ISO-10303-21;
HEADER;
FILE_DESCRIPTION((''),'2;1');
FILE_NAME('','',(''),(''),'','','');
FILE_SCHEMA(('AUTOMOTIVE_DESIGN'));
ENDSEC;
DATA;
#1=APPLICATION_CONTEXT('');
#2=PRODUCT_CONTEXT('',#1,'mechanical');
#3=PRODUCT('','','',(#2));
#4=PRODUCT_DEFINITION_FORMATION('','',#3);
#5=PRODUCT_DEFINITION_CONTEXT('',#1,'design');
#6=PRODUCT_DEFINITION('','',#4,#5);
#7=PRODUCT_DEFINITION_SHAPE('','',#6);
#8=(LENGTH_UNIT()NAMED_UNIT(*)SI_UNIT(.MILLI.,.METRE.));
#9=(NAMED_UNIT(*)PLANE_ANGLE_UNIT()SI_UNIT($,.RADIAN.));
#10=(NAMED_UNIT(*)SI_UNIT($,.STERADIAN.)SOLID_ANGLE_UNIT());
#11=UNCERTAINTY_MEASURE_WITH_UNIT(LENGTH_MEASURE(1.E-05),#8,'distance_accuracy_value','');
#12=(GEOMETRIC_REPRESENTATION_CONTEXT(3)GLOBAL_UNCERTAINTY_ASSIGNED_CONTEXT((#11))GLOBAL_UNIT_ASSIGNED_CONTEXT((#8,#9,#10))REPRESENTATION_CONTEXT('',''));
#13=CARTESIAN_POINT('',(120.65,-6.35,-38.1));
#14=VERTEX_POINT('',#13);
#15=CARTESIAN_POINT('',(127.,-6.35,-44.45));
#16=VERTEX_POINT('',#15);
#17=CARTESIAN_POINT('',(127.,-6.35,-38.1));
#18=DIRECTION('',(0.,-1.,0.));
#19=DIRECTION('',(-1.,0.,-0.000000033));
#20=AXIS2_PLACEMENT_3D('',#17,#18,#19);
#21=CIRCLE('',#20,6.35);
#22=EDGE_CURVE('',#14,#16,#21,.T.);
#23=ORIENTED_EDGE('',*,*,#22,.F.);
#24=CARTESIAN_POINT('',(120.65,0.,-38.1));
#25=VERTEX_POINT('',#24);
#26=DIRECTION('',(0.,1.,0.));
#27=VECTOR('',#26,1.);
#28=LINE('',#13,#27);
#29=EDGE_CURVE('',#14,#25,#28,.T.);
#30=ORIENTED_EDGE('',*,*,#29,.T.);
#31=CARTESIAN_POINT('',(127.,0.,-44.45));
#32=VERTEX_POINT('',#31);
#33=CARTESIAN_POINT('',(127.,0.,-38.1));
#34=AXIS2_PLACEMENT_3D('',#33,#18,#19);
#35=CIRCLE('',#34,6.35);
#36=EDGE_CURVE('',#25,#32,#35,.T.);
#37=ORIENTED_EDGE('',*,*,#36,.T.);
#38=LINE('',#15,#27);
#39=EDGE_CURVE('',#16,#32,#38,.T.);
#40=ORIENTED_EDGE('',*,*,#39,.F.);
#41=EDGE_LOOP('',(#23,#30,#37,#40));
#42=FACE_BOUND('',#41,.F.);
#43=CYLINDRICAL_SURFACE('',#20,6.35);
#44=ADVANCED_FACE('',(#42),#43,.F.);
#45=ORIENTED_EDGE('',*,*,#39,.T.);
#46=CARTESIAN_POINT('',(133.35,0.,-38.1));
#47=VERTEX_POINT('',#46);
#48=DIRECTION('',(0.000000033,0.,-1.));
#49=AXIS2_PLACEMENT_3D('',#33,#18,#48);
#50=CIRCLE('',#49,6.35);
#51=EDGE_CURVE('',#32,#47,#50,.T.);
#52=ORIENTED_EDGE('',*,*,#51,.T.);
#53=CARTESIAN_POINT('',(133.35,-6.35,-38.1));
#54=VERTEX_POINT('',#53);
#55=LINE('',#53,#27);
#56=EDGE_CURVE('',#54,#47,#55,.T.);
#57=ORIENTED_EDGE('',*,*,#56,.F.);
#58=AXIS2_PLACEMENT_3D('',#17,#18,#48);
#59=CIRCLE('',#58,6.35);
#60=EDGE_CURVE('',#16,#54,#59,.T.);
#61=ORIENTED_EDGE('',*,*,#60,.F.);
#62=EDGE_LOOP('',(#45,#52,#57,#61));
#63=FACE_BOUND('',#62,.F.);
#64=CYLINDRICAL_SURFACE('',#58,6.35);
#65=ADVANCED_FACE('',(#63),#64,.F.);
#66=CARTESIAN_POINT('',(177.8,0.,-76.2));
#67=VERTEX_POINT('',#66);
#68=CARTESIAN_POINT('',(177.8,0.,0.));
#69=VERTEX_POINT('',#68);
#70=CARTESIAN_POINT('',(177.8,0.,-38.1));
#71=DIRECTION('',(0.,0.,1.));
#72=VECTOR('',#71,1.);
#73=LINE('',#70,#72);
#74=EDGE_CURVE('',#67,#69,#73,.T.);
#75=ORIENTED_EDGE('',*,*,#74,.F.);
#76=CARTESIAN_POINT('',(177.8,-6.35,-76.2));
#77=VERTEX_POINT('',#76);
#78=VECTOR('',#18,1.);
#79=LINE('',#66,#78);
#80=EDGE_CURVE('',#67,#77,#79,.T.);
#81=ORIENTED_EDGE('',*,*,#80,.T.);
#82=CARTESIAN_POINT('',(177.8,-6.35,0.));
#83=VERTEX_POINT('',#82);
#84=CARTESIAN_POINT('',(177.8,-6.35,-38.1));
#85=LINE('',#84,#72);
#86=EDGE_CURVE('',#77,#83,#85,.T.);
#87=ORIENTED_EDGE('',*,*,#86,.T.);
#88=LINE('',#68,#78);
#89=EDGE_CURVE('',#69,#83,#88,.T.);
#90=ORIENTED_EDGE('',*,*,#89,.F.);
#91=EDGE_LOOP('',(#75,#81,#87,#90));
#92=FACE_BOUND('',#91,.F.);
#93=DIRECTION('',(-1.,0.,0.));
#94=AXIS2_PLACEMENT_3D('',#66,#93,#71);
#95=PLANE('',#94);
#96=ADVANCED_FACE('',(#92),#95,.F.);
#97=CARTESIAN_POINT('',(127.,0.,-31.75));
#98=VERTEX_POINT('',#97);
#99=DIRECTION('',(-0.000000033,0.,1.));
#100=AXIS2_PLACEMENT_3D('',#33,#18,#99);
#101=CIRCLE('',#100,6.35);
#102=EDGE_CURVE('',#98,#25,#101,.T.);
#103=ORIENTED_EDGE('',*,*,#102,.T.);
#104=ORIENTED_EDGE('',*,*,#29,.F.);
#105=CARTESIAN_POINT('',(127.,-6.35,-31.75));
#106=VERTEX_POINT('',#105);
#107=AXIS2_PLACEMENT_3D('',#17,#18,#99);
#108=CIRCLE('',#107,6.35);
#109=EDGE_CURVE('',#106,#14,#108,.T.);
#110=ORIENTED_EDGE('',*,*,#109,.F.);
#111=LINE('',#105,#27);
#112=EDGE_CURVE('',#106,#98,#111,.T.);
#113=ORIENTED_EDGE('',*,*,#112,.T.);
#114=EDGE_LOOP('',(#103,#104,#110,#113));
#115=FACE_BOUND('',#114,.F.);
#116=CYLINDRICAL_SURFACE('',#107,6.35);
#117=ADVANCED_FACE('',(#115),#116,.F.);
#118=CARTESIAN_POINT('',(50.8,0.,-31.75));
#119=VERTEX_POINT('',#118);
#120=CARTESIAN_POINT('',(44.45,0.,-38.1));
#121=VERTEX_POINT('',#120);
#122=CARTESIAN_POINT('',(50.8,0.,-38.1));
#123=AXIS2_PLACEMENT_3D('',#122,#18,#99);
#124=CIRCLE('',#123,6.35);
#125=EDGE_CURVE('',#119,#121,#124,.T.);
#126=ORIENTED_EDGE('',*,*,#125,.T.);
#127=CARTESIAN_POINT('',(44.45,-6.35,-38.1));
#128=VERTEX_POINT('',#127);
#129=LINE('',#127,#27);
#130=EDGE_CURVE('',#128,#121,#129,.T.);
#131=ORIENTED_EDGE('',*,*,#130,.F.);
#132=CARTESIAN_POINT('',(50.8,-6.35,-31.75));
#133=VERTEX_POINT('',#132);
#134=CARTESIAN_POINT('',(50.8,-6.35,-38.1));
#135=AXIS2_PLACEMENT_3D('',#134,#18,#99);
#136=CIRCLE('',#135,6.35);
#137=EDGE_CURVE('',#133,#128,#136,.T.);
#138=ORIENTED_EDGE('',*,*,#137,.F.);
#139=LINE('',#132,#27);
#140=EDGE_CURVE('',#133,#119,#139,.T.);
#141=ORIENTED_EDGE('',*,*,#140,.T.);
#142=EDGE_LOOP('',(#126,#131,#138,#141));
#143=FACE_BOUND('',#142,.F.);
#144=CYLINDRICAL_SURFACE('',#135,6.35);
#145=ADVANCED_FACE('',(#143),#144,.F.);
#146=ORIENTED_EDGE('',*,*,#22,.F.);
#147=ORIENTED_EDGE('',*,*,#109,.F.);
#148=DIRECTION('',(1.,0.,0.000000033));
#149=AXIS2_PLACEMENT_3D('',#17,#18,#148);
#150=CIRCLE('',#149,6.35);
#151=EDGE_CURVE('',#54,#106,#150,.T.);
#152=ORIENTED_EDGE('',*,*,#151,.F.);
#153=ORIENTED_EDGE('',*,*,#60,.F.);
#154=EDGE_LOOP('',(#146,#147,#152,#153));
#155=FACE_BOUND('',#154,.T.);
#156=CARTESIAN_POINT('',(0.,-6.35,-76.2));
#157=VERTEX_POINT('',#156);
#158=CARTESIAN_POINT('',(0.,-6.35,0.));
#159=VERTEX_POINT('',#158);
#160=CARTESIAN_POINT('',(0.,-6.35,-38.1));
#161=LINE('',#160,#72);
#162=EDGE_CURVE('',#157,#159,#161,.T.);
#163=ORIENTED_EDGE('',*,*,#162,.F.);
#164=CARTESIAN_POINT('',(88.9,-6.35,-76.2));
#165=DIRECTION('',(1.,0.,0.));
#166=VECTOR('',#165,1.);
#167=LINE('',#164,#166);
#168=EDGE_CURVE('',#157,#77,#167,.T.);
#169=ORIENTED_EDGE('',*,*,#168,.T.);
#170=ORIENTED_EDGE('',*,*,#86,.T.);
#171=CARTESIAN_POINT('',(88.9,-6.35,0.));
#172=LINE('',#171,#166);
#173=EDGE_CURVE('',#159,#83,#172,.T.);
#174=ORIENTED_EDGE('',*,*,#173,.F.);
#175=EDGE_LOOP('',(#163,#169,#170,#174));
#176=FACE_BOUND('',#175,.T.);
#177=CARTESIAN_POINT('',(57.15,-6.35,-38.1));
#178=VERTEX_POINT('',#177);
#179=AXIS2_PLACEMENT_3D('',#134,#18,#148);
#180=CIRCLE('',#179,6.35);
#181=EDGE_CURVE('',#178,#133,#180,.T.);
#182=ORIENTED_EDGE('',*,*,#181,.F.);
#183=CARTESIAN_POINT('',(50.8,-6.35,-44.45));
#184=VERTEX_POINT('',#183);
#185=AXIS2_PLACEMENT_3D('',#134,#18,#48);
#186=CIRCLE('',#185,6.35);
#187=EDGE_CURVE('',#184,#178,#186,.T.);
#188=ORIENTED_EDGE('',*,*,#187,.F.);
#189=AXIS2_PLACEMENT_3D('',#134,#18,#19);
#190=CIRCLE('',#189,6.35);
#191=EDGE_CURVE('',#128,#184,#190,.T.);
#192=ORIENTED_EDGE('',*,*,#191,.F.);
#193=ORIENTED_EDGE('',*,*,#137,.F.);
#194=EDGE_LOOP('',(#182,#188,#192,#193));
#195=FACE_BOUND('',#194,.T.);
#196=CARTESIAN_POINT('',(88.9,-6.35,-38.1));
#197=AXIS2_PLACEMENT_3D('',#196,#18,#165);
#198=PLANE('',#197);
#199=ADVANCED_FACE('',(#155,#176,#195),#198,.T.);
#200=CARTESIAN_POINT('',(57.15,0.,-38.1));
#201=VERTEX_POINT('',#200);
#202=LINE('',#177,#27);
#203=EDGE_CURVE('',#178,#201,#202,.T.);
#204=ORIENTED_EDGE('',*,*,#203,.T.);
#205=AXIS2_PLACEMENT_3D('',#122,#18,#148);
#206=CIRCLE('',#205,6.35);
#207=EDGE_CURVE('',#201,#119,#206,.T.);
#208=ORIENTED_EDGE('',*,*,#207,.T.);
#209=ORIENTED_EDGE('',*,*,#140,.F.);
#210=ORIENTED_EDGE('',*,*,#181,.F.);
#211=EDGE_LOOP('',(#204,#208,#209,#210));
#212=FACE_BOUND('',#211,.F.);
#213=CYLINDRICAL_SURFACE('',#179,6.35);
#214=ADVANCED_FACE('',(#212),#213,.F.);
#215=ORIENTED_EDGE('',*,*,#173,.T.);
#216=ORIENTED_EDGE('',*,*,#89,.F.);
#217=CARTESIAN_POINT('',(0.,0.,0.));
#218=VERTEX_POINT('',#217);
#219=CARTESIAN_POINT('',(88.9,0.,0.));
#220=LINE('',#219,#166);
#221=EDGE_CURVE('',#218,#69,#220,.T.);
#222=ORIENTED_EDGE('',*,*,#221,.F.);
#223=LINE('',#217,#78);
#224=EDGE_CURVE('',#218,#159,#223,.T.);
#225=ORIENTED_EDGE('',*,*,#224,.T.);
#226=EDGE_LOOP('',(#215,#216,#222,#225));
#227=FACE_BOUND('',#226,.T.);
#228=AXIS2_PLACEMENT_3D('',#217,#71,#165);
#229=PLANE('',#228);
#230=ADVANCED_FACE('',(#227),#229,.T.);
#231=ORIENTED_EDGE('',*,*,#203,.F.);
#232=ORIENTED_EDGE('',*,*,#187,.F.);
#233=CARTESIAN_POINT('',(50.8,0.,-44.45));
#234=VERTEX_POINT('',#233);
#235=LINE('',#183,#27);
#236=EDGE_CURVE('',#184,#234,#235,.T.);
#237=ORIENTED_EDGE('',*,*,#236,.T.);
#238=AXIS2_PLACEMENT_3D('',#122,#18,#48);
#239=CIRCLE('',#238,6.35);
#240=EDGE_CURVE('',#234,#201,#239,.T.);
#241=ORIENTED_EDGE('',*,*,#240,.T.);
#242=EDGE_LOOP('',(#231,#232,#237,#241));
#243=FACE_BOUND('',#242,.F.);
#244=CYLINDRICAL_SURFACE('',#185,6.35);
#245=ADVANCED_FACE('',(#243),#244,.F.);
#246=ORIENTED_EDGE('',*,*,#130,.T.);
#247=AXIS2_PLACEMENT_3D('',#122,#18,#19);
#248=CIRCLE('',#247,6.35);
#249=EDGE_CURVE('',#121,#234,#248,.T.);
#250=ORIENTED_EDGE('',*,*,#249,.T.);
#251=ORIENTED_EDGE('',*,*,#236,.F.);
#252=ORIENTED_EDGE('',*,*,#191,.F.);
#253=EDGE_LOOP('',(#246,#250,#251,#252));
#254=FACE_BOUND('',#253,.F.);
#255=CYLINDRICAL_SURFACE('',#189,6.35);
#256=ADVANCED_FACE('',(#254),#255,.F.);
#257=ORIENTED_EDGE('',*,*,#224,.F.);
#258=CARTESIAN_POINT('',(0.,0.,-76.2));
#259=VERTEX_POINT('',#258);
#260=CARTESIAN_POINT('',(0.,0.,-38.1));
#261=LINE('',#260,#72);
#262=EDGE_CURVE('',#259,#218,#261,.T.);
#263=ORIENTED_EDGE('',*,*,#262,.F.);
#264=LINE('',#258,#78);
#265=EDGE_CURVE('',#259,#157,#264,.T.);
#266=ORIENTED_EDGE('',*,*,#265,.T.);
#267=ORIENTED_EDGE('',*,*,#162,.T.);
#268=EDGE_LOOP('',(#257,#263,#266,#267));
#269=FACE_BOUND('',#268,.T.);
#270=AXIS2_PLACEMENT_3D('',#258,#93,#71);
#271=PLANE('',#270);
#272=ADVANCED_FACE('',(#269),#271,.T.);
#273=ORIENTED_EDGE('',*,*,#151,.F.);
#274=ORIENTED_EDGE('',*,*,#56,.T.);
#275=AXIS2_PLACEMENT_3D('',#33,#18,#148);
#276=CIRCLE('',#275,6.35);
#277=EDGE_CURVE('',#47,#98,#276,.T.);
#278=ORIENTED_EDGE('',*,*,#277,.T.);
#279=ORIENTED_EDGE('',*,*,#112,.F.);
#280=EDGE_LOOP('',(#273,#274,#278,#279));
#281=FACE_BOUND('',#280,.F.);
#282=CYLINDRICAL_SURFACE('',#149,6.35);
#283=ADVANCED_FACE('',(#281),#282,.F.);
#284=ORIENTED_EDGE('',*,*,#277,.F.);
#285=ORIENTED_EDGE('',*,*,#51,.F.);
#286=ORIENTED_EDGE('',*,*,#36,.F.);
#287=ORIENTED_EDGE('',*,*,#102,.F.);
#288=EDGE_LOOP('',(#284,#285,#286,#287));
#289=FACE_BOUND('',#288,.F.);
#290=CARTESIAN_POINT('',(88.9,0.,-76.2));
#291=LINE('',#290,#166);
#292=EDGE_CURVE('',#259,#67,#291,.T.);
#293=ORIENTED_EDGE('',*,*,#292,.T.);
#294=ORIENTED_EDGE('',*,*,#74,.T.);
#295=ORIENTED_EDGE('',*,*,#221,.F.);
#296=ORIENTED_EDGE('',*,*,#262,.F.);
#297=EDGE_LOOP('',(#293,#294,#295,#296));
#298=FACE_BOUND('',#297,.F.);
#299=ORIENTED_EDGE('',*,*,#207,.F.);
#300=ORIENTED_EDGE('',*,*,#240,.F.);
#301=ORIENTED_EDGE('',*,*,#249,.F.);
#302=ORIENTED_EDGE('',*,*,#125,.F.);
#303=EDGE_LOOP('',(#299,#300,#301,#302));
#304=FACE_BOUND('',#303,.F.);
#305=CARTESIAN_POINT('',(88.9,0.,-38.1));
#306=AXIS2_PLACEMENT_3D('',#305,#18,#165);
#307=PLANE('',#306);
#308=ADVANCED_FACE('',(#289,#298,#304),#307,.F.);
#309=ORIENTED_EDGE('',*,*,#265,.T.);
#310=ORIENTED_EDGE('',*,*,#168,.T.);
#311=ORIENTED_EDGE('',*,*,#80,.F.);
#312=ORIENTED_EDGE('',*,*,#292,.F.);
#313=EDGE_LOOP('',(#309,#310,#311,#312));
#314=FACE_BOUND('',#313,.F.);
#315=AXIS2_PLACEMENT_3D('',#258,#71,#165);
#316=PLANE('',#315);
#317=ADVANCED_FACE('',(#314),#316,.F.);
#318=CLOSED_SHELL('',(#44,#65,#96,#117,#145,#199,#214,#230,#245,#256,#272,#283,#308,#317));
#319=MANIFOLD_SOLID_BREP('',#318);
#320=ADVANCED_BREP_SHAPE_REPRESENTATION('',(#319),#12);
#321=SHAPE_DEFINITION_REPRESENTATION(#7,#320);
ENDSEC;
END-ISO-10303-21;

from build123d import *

# Parameters (mm, degrees)
F0_W     = 177.8
F0_H     = 76.2
F1_DEPTH = 6.35
F3_DEPTH = 6.351


with BuildPart() as f1:
    # F0 (on Front) → F1 (new body)
    with BuildSketch(Plane.XZ):
        with Locations((88.9, -38.1)):
            Rectangle(F0_W, F0_H)
    extrude(amount=F1_DEPTH)

    # F2 (on face) → F3 (cut, through all)
    with BuildSketch(Plane.XZ.offset(6.35)):
        with BuildLine():
            ThreePointArc((50.8, -31.75), (46.309872, -33.609872), (44.45, -38.1))
            Line((44.45, -38.1), (50.8, -38.1))
            Line((50.8, -38.1), (50.8, -31.75))
        make_face()
        with BuildLine():
            ThreePointArc((127, -31.75), (122.509872, -33.609872), (120.65, -38.1))
            Line((120.65, -38.1), (127, -38.1))
            Line((127, -38.1), (127, -31.75))
        make_face()
        with BuildLine():
            Line((127, -38.1), (120.65, -38.1))
            ThreePointArc((120.65, -38.1), (122.509872, -42.590128), (127, -44.45))
            Line((127, -44.45), (127, -38.1))
        make_face()
        with BuildLine():
            Line((50.8, -38.1), (44.45, -38.1))
            ThreePointArc((44.45, -38.1), (46.309872, -42.590128), (50.8, -44.45))
            Line((50.8, -44.45), (50.8, -38.1))
        make_face()
        with BuildLine():
            Line((50.8, -31.75), (50.8, -38.1))
            Line((50.8, -38.1), (57.15, -38.1))
            ThreePointArc((57.15, -38.1), (55.290128, -33.609872), (50.8, -31.75))
        make_face()
        with BuildLine():
            Line((57.15, -38.1), (50.8, -38.1))
            Line((50.8, -38.1), (50.8, -44.45))
            ThreePointArc((50.8, -44.45), (55.290128, -42.590128), (57.15, -38.1))
        make_face()
        with BuildLine():
            Line((127, -31.75), (127, -38.1))
            Line((127, -38.1), (133.35, -38.1))
            ThreePointArc((133.35, -38.1), (131.490128, -33.609872), (127, -31.75))
        make_face()
        with BuildLine():
            Line((133.35, -38.1), (127, -38.1))
            Line((127, -38.1), (127, -44.45))
            ThreePointArc((127, -44.45), (131.490128, -42.590128), (133.35, -38.1))
        make_face()
    extrude(amount=-F3_DEPTH, mode=Mode.SUBTRACT)


solid = f1.part
